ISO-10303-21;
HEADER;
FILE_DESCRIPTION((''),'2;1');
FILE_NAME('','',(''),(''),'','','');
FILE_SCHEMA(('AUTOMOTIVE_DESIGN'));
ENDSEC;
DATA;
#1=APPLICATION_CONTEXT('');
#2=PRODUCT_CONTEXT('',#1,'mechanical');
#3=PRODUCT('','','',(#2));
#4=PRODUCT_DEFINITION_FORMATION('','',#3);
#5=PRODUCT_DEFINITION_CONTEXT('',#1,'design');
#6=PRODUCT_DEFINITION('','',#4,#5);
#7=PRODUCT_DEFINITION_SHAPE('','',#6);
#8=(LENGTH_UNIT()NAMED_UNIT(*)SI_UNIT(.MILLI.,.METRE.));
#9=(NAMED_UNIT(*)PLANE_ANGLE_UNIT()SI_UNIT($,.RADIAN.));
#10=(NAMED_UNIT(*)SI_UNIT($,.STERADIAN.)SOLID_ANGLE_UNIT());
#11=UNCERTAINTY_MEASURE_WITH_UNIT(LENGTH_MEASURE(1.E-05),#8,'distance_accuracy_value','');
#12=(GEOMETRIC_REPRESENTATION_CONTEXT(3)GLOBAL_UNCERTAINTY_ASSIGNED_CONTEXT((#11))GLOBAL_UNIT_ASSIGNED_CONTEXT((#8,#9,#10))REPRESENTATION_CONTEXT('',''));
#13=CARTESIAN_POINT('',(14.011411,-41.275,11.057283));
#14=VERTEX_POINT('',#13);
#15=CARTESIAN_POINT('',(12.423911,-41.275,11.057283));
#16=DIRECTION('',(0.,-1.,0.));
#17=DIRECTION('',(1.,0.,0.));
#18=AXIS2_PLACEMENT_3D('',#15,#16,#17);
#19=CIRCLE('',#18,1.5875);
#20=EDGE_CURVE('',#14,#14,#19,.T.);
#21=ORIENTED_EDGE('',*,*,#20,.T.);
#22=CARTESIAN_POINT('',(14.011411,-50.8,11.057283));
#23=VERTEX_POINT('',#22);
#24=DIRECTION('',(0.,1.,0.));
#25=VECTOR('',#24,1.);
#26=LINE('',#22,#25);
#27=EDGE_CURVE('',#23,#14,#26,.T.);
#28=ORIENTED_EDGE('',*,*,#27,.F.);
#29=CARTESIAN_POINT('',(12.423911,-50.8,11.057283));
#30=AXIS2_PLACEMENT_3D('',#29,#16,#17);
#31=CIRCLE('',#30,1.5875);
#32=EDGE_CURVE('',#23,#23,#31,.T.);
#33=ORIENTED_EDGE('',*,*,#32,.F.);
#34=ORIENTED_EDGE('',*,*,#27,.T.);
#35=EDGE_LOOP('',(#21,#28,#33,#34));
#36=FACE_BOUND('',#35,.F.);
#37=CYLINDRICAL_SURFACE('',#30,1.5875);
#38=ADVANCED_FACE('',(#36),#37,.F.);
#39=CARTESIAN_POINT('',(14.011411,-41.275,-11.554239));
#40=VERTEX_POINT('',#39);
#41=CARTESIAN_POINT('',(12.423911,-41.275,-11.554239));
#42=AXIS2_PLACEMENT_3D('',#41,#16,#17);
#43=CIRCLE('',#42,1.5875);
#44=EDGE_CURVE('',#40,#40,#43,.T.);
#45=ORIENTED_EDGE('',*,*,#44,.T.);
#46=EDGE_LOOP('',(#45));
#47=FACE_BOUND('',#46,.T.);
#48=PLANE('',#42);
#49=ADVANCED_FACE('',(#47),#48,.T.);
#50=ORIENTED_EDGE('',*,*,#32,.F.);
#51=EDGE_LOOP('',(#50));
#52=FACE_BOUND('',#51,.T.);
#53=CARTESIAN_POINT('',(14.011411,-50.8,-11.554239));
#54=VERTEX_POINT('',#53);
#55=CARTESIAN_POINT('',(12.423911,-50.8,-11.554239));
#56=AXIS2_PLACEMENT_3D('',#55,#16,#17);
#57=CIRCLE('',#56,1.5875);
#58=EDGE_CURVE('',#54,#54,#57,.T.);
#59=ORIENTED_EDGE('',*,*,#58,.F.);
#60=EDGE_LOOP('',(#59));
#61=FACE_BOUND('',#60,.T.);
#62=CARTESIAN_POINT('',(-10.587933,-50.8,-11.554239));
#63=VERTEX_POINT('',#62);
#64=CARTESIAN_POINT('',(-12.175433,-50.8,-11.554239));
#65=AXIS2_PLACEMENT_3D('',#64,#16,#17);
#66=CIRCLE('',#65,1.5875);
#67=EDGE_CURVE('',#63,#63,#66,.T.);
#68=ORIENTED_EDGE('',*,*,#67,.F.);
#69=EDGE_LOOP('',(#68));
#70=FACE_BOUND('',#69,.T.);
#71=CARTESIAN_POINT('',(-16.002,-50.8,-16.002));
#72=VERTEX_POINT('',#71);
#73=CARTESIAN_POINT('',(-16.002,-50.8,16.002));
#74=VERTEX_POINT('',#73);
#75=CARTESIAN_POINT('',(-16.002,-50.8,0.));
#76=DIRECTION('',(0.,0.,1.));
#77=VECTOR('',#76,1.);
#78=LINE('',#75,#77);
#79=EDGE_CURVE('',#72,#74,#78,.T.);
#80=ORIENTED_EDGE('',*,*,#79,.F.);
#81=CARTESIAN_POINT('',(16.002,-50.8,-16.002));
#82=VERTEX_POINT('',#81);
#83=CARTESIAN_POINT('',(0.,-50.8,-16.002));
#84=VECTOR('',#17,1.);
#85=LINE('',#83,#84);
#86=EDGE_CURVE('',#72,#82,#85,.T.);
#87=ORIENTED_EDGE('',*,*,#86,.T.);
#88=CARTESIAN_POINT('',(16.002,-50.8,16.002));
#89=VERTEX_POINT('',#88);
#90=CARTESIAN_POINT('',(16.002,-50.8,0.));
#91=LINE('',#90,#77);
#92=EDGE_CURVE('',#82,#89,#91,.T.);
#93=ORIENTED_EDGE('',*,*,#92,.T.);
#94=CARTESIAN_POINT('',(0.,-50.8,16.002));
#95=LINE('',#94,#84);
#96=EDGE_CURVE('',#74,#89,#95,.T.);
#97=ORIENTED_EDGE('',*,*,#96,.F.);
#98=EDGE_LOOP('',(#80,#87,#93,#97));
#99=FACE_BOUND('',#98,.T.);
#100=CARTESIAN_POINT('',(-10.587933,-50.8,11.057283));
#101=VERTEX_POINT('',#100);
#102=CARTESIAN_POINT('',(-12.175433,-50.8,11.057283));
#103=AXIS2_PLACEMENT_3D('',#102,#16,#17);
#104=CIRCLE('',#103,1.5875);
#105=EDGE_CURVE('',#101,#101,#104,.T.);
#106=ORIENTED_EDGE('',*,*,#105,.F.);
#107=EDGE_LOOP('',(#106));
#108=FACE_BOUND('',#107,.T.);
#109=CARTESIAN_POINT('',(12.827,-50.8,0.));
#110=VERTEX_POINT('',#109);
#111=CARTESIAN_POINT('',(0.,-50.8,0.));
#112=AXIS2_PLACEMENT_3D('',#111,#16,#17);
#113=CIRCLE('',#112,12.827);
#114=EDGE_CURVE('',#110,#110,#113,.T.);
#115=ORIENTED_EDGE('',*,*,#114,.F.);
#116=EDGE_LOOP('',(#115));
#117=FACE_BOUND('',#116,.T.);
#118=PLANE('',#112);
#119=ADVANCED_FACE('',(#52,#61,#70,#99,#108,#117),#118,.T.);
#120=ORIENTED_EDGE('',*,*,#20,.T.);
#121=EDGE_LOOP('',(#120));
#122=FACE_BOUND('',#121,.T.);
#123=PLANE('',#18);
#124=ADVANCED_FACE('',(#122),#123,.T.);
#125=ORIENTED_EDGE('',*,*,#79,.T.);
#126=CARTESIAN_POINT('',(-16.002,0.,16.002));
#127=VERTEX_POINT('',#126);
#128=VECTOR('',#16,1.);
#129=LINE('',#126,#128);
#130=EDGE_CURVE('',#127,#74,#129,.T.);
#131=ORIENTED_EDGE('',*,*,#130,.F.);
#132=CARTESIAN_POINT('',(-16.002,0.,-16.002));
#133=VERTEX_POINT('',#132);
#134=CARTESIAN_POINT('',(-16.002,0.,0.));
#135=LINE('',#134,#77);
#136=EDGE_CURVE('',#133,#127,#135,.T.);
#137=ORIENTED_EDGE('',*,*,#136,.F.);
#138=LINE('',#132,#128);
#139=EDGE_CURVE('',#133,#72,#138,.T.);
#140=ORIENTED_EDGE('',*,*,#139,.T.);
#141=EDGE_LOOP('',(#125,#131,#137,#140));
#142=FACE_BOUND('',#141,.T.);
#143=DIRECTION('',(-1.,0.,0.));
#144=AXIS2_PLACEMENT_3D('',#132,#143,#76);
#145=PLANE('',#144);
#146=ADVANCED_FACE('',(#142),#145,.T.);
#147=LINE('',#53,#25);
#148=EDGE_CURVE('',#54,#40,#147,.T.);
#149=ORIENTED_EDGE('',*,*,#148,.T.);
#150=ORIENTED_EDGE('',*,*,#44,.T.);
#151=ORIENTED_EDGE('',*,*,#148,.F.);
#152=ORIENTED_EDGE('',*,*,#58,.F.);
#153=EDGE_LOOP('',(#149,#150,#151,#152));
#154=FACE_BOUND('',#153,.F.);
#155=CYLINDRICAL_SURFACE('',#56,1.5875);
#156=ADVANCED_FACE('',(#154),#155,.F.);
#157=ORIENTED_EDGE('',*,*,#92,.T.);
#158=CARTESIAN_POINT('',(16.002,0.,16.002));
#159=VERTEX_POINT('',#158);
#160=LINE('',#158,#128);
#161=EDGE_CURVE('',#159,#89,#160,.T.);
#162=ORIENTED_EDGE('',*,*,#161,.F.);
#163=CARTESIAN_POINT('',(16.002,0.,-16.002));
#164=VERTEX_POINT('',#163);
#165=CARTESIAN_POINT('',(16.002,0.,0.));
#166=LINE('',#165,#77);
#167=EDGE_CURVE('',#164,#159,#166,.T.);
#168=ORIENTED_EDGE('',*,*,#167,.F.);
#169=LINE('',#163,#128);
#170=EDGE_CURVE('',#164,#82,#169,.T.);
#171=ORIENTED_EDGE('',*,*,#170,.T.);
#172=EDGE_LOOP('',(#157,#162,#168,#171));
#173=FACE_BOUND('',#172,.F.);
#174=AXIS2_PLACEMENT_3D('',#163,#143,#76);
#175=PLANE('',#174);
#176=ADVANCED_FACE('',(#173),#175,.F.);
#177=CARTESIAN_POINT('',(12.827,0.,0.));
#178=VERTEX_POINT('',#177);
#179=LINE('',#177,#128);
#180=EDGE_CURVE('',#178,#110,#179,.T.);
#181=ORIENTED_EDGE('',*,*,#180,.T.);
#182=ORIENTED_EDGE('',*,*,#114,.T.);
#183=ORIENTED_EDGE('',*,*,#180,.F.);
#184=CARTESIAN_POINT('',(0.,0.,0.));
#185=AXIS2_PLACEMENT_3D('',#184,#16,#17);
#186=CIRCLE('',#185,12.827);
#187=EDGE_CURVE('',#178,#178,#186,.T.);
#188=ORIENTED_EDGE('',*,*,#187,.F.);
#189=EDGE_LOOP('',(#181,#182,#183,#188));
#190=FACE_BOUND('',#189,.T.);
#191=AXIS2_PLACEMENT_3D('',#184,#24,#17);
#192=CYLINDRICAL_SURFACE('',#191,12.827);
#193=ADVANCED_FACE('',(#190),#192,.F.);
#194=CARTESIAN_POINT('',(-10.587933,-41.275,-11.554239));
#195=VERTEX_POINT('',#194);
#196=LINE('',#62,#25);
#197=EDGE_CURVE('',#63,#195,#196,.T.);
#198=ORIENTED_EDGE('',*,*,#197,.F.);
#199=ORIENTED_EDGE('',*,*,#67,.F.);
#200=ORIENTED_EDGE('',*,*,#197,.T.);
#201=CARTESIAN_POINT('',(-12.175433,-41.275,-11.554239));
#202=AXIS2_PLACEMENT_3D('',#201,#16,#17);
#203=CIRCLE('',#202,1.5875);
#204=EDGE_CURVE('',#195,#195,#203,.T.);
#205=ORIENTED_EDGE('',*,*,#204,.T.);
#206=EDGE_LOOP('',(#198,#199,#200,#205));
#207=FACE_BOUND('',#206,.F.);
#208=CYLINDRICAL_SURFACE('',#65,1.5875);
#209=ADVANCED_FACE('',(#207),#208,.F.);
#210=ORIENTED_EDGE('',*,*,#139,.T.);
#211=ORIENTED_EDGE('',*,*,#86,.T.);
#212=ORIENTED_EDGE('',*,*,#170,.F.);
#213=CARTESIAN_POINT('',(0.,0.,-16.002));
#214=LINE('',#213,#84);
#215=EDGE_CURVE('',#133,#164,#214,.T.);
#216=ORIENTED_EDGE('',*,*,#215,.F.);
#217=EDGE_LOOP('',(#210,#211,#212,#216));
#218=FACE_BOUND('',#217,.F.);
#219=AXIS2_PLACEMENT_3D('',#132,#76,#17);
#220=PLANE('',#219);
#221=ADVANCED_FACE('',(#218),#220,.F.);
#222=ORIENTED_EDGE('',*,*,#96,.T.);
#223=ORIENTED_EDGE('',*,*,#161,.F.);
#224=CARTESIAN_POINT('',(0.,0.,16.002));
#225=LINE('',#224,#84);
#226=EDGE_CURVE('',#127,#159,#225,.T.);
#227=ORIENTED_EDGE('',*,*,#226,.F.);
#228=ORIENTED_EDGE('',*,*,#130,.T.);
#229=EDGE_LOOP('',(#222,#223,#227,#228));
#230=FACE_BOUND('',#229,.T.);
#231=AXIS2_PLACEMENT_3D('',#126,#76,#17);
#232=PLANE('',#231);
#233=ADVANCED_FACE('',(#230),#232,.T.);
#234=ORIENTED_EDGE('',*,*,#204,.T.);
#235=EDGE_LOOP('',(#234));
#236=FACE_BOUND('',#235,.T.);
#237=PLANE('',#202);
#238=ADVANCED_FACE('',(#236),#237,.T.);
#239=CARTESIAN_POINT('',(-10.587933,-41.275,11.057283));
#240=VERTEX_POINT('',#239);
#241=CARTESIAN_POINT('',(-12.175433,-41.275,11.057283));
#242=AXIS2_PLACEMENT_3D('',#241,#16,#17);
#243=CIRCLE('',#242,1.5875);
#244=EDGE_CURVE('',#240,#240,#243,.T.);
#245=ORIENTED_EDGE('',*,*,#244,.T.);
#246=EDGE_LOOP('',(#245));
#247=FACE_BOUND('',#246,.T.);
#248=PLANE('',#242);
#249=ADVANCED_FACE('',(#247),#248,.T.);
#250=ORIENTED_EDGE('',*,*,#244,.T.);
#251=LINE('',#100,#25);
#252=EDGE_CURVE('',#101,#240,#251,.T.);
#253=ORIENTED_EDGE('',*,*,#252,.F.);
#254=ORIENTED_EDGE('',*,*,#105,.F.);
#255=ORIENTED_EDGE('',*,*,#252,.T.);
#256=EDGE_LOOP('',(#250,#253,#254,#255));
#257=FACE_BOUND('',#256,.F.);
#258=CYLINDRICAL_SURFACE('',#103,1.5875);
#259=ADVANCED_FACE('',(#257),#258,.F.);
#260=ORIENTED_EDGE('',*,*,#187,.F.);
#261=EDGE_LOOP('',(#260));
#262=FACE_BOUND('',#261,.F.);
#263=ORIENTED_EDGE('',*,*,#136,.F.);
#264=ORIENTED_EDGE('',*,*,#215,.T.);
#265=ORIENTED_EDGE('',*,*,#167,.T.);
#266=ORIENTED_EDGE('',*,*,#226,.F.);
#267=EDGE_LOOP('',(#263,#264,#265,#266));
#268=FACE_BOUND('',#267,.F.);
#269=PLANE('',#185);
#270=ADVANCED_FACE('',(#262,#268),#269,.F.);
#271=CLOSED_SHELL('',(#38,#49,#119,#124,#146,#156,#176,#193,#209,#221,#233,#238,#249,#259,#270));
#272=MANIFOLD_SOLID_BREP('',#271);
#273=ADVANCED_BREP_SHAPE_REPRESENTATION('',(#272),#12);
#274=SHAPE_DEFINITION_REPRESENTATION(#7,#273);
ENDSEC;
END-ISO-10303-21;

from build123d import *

# Parameters (mm, degrees)
F0_W     = 32.004
F0_H     = 32.004
F0_R     = 12.827
F1_DEPTH = 50.8
F2_R     = 1.5875
F3_DEPTH = 9.525


with BuildPart() as f1:
    # F0 (on Front) → F1 (new body)
    with BuildSketch(Plane.XZ):
        Rectangle(F0_W, F0_H)
        Circle(F0_R, mode=Mode.SUBTRACT)
    extrude(amount=F1_DEPTH)

    # F2 (on face) → F3 (cut)
    with BuildSketch(Plane.XZ.offset(50.8)):
        with Locations((-12.175433, 11.057283)):
            Circle(F2_R)
        with Locations((12.423911, 11.057283)):
            Circle(F2_R)
        with Locations((12.423911, -11.554239)):
            Circle(F2_R)
        with Locations((-12.175433, -11.554239)):
            Circle(F2_R)
    extrude(amount=-F3_DEPTH, mode=Mode.SUBTRACT)


solid = f1.part
